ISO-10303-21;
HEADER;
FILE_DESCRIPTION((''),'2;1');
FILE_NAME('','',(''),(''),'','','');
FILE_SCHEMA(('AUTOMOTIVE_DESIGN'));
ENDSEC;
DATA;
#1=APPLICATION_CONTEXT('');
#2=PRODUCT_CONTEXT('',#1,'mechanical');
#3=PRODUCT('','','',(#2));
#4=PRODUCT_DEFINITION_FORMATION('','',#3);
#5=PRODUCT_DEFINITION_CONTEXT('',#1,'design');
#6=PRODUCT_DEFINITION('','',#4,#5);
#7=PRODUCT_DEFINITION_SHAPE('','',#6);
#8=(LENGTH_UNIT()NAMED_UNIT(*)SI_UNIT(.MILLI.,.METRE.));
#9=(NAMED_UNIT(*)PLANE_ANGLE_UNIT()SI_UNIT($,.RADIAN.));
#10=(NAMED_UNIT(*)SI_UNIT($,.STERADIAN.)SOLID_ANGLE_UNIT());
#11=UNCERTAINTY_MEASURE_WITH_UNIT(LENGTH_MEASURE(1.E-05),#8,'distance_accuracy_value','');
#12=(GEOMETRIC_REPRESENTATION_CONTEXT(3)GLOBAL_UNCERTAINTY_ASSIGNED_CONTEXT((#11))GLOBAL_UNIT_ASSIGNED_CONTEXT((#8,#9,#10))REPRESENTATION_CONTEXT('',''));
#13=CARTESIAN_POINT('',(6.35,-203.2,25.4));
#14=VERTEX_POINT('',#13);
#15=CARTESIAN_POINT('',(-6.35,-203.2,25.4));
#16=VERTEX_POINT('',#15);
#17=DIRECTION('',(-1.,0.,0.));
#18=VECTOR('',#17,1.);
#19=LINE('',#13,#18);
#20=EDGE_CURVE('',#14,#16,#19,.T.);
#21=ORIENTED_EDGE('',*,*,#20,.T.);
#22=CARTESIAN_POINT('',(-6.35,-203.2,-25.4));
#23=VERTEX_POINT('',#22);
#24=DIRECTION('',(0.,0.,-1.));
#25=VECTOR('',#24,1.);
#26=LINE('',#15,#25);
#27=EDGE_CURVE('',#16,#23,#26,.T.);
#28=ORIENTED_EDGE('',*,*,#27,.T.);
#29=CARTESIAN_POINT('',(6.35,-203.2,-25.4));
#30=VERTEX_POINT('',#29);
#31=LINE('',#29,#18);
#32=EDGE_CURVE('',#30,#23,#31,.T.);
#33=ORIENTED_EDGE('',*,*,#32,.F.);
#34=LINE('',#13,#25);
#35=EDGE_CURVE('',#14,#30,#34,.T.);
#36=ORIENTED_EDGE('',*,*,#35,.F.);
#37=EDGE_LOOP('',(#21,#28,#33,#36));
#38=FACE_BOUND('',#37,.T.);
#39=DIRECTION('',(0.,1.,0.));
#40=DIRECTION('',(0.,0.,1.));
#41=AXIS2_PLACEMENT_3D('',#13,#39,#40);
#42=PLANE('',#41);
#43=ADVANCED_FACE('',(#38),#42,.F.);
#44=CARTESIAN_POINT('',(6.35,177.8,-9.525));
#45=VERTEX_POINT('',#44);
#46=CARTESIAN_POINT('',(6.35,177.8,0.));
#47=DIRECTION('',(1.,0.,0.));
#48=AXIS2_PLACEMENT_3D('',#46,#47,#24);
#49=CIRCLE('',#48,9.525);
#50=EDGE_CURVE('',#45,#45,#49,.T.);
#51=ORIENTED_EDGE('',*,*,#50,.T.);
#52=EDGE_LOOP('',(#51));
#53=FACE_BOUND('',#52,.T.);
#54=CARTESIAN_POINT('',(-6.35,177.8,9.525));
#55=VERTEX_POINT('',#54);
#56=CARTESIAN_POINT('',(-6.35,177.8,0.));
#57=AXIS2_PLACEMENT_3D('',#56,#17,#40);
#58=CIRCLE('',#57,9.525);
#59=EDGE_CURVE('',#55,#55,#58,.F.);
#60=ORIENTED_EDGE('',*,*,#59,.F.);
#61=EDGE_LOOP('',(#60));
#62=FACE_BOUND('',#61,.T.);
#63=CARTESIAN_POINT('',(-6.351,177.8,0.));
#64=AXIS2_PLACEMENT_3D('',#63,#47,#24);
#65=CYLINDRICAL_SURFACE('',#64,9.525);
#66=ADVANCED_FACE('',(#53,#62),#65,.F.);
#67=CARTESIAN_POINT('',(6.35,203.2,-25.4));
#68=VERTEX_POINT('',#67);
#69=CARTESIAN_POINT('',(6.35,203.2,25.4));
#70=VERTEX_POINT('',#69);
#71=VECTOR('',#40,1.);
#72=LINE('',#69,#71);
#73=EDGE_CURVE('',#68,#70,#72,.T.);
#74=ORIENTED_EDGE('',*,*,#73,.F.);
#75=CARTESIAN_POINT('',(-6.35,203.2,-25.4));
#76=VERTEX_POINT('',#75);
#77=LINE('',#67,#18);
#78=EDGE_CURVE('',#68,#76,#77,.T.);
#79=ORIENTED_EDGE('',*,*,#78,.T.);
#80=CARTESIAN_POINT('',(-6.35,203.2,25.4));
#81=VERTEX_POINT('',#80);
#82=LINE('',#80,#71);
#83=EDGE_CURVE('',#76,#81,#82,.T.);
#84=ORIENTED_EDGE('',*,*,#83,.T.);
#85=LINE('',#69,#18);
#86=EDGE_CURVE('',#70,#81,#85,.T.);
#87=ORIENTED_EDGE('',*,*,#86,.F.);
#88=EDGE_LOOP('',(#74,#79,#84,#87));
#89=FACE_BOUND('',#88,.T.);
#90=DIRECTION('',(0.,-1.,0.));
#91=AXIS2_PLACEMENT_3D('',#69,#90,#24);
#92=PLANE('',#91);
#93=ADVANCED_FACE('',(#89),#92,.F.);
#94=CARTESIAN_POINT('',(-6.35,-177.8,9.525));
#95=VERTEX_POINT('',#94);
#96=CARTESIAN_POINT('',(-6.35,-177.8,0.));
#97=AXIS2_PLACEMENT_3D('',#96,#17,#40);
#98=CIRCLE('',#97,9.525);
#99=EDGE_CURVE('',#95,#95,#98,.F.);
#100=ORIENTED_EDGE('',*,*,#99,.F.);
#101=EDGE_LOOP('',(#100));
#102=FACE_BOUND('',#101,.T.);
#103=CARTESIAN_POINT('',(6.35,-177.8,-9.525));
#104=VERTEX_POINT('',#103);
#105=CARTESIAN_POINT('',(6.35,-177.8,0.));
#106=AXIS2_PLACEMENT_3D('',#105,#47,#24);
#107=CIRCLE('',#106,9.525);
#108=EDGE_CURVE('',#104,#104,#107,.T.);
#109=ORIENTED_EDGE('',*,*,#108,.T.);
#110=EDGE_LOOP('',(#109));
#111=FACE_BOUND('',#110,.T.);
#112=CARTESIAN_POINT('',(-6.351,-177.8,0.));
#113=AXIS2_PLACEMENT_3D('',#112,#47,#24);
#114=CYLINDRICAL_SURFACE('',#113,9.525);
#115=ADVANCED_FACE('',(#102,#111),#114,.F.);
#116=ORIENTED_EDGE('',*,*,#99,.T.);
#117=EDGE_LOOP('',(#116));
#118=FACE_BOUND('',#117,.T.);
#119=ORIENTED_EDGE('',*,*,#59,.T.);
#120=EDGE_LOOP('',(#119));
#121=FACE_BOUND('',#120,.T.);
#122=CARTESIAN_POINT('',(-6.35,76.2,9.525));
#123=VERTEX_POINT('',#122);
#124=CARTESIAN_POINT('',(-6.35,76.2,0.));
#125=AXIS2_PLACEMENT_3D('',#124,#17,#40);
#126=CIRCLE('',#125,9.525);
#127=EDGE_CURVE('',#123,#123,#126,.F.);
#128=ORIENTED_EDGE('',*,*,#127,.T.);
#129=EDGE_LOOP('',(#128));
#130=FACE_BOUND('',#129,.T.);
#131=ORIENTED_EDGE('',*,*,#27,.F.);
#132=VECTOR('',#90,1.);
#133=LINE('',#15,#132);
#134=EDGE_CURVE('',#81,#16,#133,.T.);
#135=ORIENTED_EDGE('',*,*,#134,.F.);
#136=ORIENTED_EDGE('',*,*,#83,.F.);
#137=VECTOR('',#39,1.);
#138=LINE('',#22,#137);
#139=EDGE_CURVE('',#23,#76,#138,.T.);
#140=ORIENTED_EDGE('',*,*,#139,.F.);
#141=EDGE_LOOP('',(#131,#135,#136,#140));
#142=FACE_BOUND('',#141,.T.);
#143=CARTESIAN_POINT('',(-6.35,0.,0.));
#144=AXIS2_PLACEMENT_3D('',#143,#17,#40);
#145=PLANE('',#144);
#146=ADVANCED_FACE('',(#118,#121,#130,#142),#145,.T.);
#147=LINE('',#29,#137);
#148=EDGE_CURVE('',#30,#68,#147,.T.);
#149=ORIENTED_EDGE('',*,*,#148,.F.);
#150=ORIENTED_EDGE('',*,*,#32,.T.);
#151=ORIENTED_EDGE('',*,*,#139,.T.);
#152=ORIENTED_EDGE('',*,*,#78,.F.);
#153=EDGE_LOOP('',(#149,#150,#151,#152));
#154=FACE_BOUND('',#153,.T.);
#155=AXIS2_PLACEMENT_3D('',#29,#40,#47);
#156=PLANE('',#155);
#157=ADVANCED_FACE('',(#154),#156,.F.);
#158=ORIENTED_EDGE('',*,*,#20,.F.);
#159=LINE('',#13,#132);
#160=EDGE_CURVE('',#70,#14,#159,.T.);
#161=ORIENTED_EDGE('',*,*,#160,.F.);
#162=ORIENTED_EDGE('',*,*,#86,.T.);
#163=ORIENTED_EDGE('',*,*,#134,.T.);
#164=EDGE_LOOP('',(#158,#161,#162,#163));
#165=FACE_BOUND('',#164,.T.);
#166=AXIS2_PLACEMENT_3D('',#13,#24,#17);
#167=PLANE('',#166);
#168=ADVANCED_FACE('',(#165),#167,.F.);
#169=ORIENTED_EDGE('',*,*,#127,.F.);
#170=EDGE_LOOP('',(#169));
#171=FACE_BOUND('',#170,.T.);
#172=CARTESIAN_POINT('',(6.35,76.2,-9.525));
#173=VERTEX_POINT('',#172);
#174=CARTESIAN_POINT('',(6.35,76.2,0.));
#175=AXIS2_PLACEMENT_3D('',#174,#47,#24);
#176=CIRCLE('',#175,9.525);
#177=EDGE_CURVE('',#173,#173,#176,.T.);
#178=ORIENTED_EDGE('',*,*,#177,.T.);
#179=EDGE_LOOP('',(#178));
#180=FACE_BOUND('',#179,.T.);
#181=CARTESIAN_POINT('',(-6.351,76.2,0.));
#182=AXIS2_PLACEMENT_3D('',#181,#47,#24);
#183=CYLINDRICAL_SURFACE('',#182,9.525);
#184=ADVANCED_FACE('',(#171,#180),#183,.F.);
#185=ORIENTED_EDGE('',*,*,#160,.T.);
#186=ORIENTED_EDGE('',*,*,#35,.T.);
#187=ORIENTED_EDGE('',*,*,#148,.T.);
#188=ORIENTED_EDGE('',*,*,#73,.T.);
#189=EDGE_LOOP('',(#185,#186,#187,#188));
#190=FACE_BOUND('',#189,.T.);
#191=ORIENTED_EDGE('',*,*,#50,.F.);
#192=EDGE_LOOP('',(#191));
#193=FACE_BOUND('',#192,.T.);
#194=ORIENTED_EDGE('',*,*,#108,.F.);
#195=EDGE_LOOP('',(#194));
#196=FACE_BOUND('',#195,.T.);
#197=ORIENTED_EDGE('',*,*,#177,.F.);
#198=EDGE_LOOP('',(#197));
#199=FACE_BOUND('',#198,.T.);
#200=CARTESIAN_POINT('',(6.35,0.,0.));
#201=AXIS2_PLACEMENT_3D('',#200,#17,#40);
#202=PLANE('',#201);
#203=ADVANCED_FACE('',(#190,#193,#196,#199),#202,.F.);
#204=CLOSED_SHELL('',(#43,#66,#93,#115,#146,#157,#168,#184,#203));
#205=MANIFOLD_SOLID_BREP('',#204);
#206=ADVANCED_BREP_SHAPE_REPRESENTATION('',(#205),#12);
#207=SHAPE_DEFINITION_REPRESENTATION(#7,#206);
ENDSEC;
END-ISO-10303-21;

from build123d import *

# Parameters (mm, degrees)
SKETCH1_W           = 50.8
SKETCH1_H           = 406.4
BOSS_EXTRUDE1_DEPTH = 6.35
CUT_EXTRUDE1_REACH  = 14.7
SKETCH2_R           = 9.525


with BuildPart() as part:
    # Sketch1 → Boss-Extrude1 (new body, symmetric)
    with BuildSketch(Plane(origin=(0, 0, 0), x_dir=(0, 0, -1), z_dir=(1, 0, 0))):
        Rectangle(SKETCH1_W, SKETCH1_H)
    extrude(amount=BOSS_EXTRUDE1_DEPTH, both=True)

    # Sketch2 → Cut-Extrude1 (cut, up to next)
    with BuildSketch(Plane(origin=(6.35, 0, 0), x_dir=(0, 0, -1), z_dir=(1, 0, 0)), mode=Mode.PRIVATE) as cut_extrude1_sk1:
        with Locations((0, 177.8)):
            Circle(SKETCH2_R)
    cut_extrude1_tool1 = extrude(cut_extrude1_sk1.sketch, amount=-CUT_EXTRUDE1_REACH, mode=Mode.PRIVATE) & part.part
    add(cut_extrude1_tool1.solids().sort_by_distance((6.35, 177.8, 0))[0], mode=Mode.SUBTRACT)
    # Sketch2 → Cut-Extrude1 (cut, up to next)
    with BuildSketch(Plane(origin=(6.35, 0, 0), x_dir=(0, 0, -1), z_dir=(1, 0, 0)), mode=Mode.PRIVATE) as cut_extrude1_sk2:
        with Locations((0, -177.8)):
            Circle(SKETCH2_R)
    cut_extrude1_tool2 = extrude(cut_extrude1_sk2.sketch, amount=-CUT_EXTRUDE1_REACH, mode=Mode.PRIVATE) & part.part
    add(cut_extrude1_tool2.solids().sort_by_distance((6.35, -177.8, 0))[0], mode=Mode.SUBTRACT)
    # Sketch2 → Cut-Extrude1 (cut, up to next)
    with BuildSketch(Plane(origin=(6.35, 0, 0), x_dir=(0, 0, -1), z_dir=(1, 0, 0)), mode=Mode.PRIVATE) as cut_extrude1_sk3:
        with Locations((0, 76.2)):
            Circle(SKETCH2_R)
    cut_extrude1_tool3 = extrude(cut_extrude1_sk3.sketch, amount=-CUT_EXTRUDE1_REACH, mode=Mode.PRIVATE) & part.part
    add(cut_extrude1_tool3.solids().sort_by_distance((6.35, 76.2, 0))[0], mode=Mode.SUBTRACT)


solid = part.part
